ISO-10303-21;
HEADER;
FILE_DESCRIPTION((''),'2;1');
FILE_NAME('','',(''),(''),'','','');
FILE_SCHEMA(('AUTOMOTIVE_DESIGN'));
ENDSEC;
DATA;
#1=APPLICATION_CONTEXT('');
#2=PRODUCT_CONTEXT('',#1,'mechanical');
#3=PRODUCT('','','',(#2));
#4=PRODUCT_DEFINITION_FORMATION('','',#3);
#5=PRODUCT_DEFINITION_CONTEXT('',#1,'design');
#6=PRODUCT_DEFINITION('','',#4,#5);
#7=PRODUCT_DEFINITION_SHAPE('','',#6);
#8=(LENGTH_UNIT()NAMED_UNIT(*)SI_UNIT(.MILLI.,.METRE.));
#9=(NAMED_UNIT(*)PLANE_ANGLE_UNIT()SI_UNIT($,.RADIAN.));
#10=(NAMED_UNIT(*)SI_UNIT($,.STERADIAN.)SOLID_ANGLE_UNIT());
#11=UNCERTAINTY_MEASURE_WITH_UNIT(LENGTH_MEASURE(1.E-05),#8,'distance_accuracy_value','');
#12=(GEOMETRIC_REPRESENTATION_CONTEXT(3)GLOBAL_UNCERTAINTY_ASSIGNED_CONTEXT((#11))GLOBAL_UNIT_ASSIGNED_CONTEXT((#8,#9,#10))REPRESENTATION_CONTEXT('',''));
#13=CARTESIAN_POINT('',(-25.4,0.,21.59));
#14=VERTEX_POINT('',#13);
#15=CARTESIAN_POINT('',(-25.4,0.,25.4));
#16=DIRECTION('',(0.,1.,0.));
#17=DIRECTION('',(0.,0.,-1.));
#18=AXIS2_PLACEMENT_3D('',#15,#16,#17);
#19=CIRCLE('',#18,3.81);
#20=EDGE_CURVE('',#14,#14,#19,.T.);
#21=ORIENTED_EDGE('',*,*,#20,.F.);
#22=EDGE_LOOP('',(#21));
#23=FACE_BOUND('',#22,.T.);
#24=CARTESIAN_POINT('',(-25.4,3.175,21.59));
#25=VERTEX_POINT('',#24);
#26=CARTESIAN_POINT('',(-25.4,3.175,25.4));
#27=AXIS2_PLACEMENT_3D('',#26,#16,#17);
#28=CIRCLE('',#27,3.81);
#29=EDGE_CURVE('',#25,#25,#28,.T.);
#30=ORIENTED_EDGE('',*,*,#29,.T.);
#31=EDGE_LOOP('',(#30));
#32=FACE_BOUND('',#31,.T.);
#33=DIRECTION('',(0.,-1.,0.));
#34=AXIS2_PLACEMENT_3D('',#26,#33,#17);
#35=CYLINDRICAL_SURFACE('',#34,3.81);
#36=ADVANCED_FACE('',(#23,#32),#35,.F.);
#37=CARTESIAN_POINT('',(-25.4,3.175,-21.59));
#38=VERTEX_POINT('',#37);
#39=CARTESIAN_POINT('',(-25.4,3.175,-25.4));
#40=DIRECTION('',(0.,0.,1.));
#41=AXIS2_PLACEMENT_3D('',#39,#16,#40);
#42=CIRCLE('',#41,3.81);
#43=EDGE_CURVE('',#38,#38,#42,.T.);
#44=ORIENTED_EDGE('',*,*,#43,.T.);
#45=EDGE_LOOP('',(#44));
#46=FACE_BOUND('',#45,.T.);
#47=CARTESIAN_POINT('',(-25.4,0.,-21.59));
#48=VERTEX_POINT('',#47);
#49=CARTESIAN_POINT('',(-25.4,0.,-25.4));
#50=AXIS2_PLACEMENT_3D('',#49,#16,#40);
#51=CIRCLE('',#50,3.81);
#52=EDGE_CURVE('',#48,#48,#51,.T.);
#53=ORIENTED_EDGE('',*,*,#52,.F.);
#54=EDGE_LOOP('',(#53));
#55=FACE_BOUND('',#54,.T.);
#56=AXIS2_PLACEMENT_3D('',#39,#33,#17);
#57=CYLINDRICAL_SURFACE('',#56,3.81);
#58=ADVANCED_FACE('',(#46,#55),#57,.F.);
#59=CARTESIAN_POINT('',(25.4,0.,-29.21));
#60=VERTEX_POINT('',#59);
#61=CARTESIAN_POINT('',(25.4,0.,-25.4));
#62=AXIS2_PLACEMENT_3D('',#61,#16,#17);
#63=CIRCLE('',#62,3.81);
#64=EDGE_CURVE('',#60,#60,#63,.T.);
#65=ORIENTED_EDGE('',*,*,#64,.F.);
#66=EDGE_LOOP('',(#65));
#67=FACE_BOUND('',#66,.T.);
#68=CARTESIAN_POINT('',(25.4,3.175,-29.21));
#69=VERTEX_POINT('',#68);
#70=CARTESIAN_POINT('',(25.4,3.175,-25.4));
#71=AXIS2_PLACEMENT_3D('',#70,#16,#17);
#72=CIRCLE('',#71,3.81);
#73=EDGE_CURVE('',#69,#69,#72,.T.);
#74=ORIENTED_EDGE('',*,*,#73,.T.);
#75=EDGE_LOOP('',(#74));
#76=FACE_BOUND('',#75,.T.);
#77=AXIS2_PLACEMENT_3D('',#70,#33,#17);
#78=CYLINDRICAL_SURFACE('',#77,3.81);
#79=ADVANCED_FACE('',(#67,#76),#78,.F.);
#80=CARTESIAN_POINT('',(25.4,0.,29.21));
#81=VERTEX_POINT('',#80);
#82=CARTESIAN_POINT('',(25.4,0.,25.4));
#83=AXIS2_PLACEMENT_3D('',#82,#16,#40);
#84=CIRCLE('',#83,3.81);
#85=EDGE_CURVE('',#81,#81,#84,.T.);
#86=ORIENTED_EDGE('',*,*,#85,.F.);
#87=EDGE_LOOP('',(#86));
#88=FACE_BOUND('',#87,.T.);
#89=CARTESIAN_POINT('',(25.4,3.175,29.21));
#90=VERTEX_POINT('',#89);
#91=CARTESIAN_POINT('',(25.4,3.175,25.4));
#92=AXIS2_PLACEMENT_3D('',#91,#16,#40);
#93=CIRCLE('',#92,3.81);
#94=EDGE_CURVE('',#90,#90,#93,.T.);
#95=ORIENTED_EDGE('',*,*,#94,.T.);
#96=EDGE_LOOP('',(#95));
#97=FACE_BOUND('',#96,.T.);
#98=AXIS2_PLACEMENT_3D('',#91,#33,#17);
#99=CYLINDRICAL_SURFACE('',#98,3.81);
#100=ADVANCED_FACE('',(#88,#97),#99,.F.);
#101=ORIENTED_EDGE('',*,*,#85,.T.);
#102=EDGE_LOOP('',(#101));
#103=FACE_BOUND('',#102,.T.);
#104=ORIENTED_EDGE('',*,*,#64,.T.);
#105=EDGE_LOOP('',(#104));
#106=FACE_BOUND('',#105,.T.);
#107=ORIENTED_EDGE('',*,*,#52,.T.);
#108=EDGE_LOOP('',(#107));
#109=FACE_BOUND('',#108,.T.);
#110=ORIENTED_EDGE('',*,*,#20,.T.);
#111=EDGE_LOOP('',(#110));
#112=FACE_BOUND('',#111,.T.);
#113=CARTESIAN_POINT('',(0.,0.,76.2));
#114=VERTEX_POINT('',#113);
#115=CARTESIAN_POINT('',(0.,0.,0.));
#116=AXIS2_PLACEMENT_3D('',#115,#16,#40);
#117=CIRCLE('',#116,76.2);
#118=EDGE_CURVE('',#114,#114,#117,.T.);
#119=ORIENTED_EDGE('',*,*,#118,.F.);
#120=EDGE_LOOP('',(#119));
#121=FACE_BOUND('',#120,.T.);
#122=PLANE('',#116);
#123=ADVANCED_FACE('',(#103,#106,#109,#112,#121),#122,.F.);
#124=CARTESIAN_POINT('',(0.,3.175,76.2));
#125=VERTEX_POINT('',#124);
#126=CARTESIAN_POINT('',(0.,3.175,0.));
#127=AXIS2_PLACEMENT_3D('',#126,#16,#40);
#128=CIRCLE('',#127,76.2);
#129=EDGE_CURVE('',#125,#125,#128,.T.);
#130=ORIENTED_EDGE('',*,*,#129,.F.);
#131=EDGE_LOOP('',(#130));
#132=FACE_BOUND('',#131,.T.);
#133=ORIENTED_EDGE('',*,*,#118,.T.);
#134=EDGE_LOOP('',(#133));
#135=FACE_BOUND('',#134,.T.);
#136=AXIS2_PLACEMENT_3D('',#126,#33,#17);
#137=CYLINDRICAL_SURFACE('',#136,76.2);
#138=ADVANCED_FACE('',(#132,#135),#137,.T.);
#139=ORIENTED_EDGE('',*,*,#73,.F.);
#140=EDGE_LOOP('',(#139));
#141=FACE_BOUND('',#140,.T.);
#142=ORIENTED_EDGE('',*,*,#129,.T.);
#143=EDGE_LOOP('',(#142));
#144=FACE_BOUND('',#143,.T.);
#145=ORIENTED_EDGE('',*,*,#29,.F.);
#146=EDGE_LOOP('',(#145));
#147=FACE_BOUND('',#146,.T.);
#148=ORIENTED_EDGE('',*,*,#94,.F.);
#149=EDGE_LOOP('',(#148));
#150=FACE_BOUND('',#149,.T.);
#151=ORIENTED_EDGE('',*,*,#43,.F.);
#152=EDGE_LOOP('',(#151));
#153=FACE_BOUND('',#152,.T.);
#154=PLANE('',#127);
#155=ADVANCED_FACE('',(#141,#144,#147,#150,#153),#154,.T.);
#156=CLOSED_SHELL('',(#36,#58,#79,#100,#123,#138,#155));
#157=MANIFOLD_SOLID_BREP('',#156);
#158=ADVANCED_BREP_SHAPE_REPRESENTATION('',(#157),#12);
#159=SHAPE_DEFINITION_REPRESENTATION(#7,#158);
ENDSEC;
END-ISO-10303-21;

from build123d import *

# Parameters (mm, degrees)
SKETCH1_R           = 76.2
SKETCH1_R_2         = 3.81
BOSS_EXTRUDE1_DEPTH = 3.175


with BuildPart() as part:
    # Sketch1 → Boss-Extrude1 (new body)
    with BuildSketch(Plane(origin=(0, 0, 0), x_dir=(1, 0, 0), z_dir=(0, 1, 0))):
        Circle(SKETCH1_R)
        with Locations((-25.4, 25.4)):
            Circle(SKETCH1_R_2, mode=Mode.SUBTRACT)
        with Locations((-25.4, -25.4)):
            Circle(SKETCH1_R_2, mode=Mode.SUBTRACT)
        with Locations((25.4, -25.4)):
            Circle(SKETCH1_R_2, mode=Mode.SUBTRACT)
        with Locations((25.4, 25.4)):
            Circle(SKETCH1_R_2, mode=Mode.SUBTRACT)
    extrude(amount=BOSS_EXTRUDE1_DEPTH)


solid = part.part
